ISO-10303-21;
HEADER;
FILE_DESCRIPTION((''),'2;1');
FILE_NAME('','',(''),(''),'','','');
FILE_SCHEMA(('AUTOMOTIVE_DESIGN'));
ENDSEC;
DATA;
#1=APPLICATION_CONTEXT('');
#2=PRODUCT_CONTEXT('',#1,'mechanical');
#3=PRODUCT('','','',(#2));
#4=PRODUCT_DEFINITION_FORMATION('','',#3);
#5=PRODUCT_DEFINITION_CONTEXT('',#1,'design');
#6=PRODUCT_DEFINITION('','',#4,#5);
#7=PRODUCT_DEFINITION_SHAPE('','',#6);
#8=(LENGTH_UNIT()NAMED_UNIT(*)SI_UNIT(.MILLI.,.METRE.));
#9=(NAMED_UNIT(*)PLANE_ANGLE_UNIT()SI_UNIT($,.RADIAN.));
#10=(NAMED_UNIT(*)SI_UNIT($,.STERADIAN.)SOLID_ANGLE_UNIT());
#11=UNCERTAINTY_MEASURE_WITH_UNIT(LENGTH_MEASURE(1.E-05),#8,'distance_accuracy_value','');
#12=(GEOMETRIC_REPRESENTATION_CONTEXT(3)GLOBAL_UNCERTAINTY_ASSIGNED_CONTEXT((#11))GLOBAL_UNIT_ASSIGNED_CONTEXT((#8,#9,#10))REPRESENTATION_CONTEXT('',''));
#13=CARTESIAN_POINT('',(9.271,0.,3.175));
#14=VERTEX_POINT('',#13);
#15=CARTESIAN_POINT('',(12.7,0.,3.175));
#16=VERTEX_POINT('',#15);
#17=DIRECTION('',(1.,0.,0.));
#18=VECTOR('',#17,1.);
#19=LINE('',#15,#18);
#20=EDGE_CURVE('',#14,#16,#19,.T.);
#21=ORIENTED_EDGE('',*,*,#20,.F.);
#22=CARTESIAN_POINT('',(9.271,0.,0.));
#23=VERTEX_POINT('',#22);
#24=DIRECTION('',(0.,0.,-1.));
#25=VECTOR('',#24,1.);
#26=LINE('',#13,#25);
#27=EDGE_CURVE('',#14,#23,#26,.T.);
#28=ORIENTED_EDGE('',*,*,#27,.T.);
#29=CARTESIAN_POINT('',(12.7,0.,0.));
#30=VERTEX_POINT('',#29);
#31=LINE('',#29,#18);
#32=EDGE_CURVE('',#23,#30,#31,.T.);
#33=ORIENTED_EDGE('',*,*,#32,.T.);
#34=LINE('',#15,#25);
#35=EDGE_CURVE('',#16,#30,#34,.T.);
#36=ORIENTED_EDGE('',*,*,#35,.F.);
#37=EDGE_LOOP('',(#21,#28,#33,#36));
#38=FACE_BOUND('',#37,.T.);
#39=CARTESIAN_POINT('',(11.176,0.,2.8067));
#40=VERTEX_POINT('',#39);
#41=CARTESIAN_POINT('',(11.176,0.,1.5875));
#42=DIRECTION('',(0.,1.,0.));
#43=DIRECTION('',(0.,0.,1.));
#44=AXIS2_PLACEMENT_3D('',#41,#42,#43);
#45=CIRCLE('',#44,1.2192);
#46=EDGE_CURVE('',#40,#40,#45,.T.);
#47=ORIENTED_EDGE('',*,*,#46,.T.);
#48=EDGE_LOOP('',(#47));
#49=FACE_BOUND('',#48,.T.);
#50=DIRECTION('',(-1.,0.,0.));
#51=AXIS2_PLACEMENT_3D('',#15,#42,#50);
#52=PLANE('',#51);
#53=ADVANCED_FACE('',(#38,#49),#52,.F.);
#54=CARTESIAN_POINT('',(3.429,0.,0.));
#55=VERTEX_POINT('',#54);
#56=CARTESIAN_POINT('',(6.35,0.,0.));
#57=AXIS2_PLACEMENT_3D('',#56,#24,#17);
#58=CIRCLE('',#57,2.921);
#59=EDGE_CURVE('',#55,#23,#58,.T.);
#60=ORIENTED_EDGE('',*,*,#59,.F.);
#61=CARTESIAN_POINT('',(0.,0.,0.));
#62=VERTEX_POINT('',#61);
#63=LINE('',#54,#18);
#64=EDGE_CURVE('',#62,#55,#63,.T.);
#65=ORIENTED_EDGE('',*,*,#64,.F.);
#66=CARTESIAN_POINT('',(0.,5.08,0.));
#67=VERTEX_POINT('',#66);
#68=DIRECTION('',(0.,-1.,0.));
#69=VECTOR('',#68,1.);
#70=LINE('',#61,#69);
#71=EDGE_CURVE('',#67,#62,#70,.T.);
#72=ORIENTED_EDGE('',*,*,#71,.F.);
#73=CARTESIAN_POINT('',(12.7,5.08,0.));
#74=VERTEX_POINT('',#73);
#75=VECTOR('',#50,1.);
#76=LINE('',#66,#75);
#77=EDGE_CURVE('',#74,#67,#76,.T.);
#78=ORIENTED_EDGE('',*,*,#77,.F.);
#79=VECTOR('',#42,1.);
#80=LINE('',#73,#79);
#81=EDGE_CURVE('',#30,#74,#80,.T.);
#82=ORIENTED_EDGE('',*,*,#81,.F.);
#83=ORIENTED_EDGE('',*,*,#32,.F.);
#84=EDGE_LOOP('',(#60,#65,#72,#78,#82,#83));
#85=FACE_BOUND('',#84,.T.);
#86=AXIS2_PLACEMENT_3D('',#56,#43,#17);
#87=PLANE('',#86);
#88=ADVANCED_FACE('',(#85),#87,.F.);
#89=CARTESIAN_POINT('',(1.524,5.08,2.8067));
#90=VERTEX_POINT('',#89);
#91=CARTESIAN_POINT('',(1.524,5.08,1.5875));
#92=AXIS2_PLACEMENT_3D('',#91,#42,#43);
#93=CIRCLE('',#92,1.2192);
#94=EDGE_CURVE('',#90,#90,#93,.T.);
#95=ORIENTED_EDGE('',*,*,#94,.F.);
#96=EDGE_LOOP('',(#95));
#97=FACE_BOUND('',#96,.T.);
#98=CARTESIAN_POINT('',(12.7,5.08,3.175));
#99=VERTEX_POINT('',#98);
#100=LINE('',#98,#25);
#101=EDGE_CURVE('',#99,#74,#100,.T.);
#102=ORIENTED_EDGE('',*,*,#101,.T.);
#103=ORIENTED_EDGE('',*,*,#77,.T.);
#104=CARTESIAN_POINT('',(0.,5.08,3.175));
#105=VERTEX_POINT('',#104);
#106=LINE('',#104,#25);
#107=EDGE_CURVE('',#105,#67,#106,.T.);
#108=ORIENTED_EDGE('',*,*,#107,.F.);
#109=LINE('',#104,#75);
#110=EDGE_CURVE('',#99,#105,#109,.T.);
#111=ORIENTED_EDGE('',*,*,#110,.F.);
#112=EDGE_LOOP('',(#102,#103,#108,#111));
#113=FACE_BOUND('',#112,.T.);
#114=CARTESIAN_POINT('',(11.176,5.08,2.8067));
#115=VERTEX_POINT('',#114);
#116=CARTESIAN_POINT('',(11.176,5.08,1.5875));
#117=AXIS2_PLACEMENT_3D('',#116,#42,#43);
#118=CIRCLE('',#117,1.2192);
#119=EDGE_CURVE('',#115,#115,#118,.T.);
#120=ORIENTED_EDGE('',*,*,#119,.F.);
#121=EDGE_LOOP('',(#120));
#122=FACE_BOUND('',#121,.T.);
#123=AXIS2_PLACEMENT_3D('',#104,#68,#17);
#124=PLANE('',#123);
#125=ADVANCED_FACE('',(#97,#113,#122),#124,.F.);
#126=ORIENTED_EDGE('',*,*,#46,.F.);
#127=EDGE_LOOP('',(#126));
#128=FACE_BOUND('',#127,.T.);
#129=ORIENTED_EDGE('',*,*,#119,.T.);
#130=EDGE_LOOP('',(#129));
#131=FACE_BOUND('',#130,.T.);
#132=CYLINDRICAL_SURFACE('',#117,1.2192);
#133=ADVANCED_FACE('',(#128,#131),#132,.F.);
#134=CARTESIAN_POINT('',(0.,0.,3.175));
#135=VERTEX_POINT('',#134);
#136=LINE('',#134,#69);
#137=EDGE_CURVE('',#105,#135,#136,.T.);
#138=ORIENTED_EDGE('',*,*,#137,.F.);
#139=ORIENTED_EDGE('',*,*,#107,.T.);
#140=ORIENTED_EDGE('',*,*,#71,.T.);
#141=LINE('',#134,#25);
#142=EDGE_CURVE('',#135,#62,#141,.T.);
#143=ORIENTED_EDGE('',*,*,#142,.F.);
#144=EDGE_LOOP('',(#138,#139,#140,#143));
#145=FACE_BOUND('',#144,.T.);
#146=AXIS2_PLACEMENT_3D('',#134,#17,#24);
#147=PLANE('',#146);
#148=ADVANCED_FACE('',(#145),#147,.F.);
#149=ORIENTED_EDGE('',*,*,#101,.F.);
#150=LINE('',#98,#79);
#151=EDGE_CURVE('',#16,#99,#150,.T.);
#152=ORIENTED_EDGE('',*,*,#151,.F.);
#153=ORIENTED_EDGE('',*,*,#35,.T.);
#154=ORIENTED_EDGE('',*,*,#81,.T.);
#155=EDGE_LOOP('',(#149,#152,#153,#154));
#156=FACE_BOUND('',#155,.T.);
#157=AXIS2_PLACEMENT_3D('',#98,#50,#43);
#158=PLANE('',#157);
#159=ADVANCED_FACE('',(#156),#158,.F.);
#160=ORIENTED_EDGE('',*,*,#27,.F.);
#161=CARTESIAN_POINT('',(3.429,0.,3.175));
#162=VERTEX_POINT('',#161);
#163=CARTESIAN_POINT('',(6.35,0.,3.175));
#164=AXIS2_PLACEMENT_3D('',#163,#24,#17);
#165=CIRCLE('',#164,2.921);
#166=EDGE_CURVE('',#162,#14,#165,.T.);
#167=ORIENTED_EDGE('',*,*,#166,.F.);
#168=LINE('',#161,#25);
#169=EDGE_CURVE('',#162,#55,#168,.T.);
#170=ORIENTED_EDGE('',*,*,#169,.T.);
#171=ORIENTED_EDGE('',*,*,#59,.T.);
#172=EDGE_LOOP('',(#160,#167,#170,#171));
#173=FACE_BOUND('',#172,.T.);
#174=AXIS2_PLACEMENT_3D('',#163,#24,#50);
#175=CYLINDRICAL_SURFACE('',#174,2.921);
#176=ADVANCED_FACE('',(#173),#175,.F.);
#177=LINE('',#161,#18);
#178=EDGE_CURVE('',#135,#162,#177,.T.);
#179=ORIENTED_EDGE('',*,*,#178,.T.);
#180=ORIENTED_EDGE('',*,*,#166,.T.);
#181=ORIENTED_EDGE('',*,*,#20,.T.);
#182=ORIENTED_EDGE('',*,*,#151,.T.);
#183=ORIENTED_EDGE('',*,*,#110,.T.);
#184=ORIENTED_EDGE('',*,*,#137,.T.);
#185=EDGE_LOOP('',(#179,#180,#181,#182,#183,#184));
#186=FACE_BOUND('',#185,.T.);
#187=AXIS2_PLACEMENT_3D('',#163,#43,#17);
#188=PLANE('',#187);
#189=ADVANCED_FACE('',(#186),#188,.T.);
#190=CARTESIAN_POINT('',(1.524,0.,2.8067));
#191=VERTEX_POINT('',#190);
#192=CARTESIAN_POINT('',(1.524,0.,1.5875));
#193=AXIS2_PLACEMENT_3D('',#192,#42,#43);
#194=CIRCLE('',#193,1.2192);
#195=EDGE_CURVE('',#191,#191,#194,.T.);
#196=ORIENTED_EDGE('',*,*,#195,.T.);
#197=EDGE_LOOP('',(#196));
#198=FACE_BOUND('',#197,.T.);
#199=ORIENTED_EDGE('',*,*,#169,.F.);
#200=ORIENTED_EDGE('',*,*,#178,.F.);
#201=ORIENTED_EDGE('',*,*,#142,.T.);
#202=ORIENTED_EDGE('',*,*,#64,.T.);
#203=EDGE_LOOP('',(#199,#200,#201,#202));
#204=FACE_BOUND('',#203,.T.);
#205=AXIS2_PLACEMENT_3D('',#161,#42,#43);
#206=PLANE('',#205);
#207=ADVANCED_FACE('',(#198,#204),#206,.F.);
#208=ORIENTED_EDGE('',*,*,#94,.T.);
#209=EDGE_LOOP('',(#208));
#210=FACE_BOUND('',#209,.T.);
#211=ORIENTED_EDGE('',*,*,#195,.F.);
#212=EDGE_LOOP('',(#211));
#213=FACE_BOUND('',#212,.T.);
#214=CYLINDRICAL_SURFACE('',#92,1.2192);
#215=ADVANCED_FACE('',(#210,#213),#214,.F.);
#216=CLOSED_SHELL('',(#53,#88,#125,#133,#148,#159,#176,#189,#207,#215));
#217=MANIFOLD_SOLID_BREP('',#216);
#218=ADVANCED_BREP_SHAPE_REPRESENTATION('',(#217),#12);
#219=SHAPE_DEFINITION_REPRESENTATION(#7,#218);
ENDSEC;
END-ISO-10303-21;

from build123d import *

# Parameters (mm, degrees)
BOSS_EXTRUDE1_DEPTH   = 3.175
F_2_CLEARANCE_HOLE1_D = 2.4384


with BuildPart() as part:
    # Sketch1 → Boss-Extrude1 (new body)
    with BuildSketch(Plane.XY):
        with BuildLine():
            Line((3.429, 0), (0, 0))
            Line((0, 0), (0, 5.08))
            Line((0, 5.08), (12.7, 5.08))
            Line((12.7, 5.08), (12.7, 0))
            Line((12.7, 0), (9.271, 0))
            ThreePointArc((9.271, 0), (6.35, 2.921), (3.429, 0))
        make_face()
    extrude(amount=BOSS_EXTRUDE1_DEPTH)

    # #2 Clearance Hole1 (through all)
    with Locations(Plane(origin=(1.524, 5.08, 1.5875), x_dir=(1, 0, 0), z_dir=(0, 1, 0))):
        with Locations((0, 0), (9.652, 0)):
            Hole(F_2_CLEARANCE_HOLE1_D / 2)


solid = part.part
